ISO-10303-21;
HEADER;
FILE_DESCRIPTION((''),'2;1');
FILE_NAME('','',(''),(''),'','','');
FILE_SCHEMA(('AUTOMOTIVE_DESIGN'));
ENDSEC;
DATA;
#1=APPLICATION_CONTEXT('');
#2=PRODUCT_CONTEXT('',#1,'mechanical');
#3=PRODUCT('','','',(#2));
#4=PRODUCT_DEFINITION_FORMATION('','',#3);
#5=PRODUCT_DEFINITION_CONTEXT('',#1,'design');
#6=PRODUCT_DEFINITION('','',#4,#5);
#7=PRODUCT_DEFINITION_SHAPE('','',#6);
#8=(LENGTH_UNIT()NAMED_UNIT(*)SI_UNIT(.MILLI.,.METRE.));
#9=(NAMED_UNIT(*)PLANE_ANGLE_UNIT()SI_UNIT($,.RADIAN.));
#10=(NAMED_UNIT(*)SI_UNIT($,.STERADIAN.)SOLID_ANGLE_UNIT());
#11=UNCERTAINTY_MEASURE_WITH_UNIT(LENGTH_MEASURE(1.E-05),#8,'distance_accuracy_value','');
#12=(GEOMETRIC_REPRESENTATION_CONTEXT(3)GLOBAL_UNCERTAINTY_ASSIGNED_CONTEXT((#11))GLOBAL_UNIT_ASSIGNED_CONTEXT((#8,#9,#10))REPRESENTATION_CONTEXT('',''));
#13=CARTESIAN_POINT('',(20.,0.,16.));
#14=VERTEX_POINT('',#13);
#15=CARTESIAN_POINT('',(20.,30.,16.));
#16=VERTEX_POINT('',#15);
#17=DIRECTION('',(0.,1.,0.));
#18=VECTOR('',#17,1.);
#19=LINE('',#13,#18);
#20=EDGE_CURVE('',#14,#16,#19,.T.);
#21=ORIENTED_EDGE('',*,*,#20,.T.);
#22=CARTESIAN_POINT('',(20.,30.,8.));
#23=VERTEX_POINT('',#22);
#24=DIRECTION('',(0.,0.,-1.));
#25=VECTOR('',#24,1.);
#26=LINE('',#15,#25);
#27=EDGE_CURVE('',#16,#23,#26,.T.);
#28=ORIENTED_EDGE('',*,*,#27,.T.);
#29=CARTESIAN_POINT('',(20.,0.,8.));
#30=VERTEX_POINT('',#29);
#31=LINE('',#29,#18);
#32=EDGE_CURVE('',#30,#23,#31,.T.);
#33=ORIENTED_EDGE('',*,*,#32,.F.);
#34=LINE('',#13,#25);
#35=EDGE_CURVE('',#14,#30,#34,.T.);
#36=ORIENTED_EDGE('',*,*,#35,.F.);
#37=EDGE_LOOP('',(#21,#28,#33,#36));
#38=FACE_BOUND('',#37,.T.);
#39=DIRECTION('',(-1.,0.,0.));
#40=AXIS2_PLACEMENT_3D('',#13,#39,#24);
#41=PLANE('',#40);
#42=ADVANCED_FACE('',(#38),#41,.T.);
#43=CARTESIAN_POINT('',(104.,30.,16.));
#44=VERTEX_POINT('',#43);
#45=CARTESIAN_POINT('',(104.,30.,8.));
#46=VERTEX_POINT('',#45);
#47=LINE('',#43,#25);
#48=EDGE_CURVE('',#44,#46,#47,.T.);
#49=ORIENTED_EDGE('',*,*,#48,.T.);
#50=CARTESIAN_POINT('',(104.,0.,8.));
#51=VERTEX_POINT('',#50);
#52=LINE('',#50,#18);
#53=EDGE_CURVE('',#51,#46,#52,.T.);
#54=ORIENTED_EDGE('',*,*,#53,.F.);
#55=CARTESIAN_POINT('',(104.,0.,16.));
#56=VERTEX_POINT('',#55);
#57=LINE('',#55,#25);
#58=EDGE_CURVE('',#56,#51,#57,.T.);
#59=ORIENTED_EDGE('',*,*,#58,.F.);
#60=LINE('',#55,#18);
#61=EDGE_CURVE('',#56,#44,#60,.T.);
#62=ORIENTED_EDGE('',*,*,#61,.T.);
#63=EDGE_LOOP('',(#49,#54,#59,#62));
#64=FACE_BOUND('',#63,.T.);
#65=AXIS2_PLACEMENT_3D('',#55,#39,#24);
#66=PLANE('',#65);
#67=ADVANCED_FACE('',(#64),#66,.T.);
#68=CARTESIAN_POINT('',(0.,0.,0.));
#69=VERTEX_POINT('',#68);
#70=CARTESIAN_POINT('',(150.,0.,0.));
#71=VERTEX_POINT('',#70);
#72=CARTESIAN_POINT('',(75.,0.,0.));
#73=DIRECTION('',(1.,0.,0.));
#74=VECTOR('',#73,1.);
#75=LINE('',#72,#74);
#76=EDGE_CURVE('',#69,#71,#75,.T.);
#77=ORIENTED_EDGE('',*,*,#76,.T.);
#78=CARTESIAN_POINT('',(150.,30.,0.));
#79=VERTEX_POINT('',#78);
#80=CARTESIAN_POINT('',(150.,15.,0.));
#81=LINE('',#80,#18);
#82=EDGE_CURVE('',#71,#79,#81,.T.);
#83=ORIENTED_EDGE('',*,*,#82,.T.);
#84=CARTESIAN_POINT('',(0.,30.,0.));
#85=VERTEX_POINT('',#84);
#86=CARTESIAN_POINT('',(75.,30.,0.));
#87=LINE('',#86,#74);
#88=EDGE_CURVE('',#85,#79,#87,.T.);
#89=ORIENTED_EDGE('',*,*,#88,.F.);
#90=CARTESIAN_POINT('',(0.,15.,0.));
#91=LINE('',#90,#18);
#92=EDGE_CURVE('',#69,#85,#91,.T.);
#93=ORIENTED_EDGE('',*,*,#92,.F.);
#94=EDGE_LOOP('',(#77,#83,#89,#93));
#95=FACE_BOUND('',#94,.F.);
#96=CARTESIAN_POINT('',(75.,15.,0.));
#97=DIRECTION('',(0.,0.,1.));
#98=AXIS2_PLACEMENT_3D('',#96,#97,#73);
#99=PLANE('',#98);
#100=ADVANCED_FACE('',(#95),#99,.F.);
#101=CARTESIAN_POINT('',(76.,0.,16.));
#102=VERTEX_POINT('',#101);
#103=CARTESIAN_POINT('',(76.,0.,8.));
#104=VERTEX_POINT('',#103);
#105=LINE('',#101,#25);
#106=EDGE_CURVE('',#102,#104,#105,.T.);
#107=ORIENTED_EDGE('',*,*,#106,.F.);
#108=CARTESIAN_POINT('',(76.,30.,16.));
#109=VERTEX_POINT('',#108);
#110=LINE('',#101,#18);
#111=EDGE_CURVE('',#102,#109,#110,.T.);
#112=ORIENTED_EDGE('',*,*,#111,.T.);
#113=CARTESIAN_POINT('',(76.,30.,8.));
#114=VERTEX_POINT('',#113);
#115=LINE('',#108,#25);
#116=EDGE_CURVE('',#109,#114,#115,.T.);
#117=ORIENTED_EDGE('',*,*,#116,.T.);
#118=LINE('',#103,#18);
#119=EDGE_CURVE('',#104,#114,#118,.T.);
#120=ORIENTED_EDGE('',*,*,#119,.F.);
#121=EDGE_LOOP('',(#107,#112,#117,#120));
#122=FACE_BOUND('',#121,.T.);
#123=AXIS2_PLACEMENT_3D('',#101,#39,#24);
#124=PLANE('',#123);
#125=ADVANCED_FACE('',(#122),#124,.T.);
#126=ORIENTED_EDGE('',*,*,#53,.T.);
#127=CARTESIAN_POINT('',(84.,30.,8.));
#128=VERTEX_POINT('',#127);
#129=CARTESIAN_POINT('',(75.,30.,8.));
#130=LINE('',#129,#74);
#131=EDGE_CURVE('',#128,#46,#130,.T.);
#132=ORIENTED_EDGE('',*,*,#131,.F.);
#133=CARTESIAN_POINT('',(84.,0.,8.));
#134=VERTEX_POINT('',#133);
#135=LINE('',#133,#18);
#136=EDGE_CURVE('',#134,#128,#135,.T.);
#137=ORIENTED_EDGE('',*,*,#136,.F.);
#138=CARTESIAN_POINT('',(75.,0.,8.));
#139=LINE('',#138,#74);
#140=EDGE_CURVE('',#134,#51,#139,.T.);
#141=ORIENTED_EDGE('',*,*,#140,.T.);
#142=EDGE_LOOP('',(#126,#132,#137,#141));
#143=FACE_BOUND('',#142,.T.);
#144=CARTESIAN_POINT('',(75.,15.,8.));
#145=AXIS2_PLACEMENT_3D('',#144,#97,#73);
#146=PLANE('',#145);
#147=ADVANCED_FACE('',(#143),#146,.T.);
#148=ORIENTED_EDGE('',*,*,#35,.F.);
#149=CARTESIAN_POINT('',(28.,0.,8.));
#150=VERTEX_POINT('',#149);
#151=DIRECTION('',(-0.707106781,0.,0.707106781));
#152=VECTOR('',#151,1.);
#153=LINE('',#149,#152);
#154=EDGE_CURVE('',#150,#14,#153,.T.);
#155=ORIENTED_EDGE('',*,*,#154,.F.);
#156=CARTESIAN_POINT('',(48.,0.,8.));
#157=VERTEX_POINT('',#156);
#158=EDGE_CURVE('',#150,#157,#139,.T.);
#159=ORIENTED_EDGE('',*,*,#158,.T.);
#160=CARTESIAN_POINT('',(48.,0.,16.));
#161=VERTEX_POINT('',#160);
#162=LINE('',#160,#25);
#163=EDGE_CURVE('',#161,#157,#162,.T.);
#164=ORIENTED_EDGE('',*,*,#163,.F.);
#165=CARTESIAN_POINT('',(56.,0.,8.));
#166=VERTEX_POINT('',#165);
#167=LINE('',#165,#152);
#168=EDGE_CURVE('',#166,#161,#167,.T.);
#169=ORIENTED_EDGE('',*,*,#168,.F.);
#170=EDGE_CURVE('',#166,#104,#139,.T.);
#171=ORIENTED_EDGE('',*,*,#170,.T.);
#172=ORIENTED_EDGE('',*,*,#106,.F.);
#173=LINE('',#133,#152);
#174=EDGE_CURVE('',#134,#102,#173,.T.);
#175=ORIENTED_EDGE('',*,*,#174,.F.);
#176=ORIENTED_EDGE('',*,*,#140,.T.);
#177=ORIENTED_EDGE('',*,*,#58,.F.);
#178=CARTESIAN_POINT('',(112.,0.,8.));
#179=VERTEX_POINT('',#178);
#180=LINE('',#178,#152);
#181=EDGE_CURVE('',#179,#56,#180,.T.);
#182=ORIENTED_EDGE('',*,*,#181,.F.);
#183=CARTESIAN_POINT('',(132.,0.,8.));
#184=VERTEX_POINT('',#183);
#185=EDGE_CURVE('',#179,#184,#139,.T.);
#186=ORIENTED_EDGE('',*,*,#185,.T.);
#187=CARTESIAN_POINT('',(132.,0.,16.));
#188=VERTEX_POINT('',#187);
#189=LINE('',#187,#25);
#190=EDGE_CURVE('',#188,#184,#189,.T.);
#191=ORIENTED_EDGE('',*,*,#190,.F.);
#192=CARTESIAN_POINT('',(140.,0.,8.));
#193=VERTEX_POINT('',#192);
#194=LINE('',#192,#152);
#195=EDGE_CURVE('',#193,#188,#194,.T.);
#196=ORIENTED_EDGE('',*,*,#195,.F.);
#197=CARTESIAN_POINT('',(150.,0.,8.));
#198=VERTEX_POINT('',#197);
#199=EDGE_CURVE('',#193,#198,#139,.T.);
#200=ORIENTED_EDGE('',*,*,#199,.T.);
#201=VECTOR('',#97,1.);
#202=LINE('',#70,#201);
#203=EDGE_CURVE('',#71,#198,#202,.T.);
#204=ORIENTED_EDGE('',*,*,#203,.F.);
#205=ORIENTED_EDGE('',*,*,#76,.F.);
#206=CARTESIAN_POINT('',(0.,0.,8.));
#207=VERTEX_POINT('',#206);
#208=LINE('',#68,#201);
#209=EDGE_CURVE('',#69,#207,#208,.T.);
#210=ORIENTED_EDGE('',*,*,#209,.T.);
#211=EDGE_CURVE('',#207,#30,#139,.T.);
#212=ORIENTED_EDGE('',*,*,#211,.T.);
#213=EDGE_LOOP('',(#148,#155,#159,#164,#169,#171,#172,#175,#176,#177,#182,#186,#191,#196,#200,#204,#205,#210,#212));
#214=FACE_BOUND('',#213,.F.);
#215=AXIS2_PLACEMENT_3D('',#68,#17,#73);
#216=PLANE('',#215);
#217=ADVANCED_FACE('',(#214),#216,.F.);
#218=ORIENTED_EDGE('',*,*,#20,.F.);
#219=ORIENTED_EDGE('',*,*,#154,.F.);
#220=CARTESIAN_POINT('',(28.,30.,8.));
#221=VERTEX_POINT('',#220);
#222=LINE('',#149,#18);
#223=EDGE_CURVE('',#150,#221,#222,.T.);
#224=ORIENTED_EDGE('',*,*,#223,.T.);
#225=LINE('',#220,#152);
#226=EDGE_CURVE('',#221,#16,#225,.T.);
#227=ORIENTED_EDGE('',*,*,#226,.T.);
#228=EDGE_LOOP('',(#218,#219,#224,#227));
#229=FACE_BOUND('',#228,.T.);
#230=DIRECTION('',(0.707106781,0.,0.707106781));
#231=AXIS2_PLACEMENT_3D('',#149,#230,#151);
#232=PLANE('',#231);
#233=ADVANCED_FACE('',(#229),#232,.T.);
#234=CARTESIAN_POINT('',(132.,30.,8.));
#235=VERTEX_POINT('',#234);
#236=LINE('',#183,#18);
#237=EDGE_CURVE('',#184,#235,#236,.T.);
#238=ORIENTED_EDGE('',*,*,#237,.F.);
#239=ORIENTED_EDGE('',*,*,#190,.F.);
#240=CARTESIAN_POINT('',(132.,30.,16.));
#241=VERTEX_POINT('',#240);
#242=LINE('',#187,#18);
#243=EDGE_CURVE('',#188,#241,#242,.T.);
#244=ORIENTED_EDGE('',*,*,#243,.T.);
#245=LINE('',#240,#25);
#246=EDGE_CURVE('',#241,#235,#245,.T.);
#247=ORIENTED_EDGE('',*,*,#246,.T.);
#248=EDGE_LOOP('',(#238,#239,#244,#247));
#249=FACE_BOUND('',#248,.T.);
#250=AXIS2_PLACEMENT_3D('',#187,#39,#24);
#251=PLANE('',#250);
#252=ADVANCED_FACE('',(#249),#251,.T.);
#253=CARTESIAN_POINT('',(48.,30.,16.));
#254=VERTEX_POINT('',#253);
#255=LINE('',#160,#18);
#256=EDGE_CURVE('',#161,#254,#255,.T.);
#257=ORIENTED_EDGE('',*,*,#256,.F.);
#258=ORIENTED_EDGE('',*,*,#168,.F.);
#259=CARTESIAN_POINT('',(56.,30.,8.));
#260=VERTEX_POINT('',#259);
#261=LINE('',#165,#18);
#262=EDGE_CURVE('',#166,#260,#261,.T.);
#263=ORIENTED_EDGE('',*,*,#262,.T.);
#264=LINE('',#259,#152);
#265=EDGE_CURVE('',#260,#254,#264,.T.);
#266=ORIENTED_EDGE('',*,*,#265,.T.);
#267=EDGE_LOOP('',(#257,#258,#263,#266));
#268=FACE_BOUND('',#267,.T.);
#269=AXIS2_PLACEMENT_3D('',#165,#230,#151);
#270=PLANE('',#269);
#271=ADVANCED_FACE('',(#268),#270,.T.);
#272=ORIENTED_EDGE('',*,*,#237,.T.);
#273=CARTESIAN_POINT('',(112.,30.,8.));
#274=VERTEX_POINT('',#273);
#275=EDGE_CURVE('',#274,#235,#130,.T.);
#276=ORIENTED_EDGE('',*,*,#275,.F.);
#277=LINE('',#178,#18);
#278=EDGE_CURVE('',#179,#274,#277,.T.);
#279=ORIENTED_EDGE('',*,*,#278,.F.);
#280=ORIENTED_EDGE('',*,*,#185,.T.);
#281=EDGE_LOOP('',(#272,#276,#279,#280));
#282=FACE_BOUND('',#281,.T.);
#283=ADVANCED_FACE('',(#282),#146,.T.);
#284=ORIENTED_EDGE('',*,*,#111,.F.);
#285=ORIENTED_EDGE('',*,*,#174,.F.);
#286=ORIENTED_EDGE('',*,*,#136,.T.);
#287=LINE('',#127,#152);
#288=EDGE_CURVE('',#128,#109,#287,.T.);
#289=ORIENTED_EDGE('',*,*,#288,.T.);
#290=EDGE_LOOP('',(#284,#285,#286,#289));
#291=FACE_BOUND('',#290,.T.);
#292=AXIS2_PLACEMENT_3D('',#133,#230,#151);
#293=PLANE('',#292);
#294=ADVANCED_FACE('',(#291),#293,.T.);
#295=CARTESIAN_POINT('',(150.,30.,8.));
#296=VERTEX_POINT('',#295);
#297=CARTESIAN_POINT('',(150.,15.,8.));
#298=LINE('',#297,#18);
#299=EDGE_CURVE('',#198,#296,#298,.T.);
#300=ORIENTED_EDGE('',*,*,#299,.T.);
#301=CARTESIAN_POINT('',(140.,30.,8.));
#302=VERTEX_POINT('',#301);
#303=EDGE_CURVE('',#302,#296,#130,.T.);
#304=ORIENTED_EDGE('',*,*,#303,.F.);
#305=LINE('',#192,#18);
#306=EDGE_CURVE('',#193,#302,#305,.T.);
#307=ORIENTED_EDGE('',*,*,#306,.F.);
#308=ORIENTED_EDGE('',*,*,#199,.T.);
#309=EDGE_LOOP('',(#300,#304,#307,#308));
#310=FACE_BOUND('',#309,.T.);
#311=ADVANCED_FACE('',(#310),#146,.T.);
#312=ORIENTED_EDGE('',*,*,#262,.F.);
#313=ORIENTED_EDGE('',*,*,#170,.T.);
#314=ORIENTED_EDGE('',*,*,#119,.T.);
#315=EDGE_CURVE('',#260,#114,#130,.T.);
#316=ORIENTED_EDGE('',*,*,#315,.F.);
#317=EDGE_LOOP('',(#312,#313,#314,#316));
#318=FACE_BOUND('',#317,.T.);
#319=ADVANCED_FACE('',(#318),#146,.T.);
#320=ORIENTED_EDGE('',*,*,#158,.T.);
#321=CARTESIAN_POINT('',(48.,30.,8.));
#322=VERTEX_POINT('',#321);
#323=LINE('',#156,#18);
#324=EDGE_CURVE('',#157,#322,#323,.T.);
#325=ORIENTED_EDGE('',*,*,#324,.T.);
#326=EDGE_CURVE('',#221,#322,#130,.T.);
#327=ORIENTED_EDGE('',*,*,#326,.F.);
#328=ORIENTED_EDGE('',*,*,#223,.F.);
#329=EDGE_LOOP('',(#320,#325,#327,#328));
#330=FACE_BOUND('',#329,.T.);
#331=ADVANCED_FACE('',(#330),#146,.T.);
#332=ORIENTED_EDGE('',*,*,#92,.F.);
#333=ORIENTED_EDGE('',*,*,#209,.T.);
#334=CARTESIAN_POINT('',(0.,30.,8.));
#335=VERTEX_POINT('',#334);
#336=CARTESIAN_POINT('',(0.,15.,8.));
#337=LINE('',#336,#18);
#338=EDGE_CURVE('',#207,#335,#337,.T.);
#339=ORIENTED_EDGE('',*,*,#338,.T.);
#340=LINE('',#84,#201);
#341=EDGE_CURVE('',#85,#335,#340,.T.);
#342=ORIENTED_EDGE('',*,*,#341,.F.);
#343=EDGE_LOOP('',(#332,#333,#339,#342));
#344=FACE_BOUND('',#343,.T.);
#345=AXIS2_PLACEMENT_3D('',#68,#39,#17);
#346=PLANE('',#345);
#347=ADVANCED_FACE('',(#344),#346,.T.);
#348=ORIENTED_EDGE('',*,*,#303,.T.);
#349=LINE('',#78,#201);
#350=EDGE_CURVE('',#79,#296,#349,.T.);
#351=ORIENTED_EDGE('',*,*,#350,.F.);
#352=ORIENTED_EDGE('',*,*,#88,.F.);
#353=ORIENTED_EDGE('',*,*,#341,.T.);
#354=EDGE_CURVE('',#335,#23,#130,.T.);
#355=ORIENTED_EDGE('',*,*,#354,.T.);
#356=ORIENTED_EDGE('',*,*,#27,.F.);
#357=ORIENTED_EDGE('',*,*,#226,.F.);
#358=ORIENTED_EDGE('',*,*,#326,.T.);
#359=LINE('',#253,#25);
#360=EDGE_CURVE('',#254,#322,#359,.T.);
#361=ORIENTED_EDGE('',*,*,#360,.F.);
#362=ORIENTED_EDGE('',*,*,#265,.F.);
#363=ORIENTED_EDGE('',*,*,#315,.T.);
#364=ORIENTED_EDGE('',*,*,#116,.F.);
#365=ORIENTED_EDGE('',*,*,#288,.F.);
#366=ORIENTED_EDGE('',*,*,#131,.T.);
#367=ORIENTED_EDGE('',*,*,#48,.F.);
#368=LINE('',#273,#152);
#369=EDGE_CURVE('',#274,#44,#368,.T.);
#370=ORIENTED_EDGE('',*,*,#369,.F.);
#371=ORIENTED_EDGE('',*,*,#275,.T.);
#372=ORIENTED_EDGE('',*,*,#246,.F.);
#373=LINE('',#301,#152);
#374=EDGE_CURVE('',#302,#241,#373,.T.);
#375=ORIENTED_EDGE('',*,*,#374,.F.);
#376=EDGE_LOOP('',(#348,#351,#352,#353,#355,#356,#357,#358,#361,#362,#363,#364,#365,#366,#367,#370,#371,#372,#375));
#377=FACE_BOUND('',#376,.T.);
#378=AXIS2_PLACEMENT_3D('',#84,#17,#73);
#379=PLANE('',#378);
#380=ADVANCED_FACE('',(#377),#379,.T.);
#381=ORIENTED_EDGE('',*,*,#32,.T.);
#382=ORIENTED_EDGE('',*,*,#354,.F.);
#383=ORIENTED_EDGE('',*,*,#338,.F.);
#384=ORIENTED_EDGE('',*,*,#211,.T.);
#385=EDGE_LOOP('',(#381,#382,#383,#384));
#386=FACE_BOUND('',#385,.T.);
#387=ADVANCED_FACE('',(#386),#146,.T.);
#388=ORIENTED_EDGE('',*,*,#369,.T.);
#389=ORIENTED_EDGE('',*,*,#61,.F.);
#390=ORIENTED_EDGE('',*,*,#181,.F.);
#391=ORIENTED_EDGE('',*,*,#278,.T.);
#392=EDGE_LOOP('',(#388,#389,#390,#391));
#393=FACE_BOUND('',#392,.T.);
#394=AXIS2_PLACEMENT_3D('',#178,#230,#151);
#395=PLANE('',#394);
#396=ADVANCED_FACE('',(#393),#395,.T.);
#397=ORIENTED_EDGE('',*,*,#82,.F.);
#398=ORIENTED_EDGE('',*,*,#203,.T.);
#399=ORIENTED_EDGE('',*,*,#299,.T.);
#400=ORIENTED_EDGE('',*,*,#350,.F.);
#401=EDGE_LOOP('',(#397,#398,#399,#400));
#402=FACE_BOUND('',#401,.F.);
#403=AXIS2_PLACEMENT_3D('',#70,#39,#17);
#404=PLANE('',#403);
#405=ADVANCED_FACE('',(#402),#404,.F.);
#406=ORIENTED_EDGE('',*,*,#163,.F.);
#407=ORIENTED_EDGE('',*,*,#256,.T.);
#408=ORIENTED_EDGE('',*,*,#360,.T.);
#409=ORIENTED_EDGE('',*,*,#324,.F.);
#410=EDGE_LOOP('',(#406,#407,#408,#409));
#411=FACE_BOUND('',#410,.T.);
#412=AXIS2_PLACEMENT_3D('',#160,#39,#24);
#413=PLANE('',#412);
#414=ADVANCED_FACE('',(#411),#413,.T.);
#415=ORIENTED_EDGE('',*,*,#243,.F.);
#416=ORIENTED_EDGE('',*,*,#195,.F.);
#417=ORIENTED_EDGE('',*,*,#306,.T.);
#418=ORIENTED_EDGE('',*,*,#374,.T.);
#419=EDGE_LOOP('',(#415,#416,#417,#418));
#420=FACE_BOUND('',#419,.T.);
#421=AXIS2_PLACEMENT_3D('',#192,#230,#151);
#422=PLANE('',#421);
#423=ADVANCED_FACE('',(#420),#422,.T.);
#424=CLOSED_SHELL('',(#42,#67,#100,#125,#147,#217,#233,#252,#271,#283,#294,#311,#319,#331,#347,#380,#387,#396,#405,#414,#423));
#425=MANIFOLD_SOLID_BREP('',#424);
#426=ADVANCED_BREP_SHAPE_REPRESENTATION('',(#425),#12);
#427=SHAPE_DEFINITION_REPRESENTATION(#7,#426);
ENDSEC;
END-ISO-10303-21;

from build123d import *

# Parameters (mm, degrees)
F0_W     = 150
F0_H     = 30
F2_DEPTH = 8
F3_DEPTH = 30


with BuildPart() as f2:
    # F0 (on Top) → F2 (new body)
    with BuildSketch(Plane.XY):
        with Locations((75, 15)):
            Rectangle(F0_W, F0_H)
    extrude(amount=F2_DEPTH)

    # F1 (on Front) → F3 (join)
    with BuildSketch(Plane.XZ):
        Polygon((28, 8), (20, 16), (20, 8), align=None)
        Polygon((56, 8), (48, 16), (48, 8), align=None)
        Polygon((84, 8), (76, 16), (76, 8), align=None)
        Polygon((112, 8), (104, 16), (104, 8), align=None)
        Polygon((140, 8), (132, 16), (132, 8), align=None)
    extrude(amount=-F3_DEPTH)


solid = f2.part
